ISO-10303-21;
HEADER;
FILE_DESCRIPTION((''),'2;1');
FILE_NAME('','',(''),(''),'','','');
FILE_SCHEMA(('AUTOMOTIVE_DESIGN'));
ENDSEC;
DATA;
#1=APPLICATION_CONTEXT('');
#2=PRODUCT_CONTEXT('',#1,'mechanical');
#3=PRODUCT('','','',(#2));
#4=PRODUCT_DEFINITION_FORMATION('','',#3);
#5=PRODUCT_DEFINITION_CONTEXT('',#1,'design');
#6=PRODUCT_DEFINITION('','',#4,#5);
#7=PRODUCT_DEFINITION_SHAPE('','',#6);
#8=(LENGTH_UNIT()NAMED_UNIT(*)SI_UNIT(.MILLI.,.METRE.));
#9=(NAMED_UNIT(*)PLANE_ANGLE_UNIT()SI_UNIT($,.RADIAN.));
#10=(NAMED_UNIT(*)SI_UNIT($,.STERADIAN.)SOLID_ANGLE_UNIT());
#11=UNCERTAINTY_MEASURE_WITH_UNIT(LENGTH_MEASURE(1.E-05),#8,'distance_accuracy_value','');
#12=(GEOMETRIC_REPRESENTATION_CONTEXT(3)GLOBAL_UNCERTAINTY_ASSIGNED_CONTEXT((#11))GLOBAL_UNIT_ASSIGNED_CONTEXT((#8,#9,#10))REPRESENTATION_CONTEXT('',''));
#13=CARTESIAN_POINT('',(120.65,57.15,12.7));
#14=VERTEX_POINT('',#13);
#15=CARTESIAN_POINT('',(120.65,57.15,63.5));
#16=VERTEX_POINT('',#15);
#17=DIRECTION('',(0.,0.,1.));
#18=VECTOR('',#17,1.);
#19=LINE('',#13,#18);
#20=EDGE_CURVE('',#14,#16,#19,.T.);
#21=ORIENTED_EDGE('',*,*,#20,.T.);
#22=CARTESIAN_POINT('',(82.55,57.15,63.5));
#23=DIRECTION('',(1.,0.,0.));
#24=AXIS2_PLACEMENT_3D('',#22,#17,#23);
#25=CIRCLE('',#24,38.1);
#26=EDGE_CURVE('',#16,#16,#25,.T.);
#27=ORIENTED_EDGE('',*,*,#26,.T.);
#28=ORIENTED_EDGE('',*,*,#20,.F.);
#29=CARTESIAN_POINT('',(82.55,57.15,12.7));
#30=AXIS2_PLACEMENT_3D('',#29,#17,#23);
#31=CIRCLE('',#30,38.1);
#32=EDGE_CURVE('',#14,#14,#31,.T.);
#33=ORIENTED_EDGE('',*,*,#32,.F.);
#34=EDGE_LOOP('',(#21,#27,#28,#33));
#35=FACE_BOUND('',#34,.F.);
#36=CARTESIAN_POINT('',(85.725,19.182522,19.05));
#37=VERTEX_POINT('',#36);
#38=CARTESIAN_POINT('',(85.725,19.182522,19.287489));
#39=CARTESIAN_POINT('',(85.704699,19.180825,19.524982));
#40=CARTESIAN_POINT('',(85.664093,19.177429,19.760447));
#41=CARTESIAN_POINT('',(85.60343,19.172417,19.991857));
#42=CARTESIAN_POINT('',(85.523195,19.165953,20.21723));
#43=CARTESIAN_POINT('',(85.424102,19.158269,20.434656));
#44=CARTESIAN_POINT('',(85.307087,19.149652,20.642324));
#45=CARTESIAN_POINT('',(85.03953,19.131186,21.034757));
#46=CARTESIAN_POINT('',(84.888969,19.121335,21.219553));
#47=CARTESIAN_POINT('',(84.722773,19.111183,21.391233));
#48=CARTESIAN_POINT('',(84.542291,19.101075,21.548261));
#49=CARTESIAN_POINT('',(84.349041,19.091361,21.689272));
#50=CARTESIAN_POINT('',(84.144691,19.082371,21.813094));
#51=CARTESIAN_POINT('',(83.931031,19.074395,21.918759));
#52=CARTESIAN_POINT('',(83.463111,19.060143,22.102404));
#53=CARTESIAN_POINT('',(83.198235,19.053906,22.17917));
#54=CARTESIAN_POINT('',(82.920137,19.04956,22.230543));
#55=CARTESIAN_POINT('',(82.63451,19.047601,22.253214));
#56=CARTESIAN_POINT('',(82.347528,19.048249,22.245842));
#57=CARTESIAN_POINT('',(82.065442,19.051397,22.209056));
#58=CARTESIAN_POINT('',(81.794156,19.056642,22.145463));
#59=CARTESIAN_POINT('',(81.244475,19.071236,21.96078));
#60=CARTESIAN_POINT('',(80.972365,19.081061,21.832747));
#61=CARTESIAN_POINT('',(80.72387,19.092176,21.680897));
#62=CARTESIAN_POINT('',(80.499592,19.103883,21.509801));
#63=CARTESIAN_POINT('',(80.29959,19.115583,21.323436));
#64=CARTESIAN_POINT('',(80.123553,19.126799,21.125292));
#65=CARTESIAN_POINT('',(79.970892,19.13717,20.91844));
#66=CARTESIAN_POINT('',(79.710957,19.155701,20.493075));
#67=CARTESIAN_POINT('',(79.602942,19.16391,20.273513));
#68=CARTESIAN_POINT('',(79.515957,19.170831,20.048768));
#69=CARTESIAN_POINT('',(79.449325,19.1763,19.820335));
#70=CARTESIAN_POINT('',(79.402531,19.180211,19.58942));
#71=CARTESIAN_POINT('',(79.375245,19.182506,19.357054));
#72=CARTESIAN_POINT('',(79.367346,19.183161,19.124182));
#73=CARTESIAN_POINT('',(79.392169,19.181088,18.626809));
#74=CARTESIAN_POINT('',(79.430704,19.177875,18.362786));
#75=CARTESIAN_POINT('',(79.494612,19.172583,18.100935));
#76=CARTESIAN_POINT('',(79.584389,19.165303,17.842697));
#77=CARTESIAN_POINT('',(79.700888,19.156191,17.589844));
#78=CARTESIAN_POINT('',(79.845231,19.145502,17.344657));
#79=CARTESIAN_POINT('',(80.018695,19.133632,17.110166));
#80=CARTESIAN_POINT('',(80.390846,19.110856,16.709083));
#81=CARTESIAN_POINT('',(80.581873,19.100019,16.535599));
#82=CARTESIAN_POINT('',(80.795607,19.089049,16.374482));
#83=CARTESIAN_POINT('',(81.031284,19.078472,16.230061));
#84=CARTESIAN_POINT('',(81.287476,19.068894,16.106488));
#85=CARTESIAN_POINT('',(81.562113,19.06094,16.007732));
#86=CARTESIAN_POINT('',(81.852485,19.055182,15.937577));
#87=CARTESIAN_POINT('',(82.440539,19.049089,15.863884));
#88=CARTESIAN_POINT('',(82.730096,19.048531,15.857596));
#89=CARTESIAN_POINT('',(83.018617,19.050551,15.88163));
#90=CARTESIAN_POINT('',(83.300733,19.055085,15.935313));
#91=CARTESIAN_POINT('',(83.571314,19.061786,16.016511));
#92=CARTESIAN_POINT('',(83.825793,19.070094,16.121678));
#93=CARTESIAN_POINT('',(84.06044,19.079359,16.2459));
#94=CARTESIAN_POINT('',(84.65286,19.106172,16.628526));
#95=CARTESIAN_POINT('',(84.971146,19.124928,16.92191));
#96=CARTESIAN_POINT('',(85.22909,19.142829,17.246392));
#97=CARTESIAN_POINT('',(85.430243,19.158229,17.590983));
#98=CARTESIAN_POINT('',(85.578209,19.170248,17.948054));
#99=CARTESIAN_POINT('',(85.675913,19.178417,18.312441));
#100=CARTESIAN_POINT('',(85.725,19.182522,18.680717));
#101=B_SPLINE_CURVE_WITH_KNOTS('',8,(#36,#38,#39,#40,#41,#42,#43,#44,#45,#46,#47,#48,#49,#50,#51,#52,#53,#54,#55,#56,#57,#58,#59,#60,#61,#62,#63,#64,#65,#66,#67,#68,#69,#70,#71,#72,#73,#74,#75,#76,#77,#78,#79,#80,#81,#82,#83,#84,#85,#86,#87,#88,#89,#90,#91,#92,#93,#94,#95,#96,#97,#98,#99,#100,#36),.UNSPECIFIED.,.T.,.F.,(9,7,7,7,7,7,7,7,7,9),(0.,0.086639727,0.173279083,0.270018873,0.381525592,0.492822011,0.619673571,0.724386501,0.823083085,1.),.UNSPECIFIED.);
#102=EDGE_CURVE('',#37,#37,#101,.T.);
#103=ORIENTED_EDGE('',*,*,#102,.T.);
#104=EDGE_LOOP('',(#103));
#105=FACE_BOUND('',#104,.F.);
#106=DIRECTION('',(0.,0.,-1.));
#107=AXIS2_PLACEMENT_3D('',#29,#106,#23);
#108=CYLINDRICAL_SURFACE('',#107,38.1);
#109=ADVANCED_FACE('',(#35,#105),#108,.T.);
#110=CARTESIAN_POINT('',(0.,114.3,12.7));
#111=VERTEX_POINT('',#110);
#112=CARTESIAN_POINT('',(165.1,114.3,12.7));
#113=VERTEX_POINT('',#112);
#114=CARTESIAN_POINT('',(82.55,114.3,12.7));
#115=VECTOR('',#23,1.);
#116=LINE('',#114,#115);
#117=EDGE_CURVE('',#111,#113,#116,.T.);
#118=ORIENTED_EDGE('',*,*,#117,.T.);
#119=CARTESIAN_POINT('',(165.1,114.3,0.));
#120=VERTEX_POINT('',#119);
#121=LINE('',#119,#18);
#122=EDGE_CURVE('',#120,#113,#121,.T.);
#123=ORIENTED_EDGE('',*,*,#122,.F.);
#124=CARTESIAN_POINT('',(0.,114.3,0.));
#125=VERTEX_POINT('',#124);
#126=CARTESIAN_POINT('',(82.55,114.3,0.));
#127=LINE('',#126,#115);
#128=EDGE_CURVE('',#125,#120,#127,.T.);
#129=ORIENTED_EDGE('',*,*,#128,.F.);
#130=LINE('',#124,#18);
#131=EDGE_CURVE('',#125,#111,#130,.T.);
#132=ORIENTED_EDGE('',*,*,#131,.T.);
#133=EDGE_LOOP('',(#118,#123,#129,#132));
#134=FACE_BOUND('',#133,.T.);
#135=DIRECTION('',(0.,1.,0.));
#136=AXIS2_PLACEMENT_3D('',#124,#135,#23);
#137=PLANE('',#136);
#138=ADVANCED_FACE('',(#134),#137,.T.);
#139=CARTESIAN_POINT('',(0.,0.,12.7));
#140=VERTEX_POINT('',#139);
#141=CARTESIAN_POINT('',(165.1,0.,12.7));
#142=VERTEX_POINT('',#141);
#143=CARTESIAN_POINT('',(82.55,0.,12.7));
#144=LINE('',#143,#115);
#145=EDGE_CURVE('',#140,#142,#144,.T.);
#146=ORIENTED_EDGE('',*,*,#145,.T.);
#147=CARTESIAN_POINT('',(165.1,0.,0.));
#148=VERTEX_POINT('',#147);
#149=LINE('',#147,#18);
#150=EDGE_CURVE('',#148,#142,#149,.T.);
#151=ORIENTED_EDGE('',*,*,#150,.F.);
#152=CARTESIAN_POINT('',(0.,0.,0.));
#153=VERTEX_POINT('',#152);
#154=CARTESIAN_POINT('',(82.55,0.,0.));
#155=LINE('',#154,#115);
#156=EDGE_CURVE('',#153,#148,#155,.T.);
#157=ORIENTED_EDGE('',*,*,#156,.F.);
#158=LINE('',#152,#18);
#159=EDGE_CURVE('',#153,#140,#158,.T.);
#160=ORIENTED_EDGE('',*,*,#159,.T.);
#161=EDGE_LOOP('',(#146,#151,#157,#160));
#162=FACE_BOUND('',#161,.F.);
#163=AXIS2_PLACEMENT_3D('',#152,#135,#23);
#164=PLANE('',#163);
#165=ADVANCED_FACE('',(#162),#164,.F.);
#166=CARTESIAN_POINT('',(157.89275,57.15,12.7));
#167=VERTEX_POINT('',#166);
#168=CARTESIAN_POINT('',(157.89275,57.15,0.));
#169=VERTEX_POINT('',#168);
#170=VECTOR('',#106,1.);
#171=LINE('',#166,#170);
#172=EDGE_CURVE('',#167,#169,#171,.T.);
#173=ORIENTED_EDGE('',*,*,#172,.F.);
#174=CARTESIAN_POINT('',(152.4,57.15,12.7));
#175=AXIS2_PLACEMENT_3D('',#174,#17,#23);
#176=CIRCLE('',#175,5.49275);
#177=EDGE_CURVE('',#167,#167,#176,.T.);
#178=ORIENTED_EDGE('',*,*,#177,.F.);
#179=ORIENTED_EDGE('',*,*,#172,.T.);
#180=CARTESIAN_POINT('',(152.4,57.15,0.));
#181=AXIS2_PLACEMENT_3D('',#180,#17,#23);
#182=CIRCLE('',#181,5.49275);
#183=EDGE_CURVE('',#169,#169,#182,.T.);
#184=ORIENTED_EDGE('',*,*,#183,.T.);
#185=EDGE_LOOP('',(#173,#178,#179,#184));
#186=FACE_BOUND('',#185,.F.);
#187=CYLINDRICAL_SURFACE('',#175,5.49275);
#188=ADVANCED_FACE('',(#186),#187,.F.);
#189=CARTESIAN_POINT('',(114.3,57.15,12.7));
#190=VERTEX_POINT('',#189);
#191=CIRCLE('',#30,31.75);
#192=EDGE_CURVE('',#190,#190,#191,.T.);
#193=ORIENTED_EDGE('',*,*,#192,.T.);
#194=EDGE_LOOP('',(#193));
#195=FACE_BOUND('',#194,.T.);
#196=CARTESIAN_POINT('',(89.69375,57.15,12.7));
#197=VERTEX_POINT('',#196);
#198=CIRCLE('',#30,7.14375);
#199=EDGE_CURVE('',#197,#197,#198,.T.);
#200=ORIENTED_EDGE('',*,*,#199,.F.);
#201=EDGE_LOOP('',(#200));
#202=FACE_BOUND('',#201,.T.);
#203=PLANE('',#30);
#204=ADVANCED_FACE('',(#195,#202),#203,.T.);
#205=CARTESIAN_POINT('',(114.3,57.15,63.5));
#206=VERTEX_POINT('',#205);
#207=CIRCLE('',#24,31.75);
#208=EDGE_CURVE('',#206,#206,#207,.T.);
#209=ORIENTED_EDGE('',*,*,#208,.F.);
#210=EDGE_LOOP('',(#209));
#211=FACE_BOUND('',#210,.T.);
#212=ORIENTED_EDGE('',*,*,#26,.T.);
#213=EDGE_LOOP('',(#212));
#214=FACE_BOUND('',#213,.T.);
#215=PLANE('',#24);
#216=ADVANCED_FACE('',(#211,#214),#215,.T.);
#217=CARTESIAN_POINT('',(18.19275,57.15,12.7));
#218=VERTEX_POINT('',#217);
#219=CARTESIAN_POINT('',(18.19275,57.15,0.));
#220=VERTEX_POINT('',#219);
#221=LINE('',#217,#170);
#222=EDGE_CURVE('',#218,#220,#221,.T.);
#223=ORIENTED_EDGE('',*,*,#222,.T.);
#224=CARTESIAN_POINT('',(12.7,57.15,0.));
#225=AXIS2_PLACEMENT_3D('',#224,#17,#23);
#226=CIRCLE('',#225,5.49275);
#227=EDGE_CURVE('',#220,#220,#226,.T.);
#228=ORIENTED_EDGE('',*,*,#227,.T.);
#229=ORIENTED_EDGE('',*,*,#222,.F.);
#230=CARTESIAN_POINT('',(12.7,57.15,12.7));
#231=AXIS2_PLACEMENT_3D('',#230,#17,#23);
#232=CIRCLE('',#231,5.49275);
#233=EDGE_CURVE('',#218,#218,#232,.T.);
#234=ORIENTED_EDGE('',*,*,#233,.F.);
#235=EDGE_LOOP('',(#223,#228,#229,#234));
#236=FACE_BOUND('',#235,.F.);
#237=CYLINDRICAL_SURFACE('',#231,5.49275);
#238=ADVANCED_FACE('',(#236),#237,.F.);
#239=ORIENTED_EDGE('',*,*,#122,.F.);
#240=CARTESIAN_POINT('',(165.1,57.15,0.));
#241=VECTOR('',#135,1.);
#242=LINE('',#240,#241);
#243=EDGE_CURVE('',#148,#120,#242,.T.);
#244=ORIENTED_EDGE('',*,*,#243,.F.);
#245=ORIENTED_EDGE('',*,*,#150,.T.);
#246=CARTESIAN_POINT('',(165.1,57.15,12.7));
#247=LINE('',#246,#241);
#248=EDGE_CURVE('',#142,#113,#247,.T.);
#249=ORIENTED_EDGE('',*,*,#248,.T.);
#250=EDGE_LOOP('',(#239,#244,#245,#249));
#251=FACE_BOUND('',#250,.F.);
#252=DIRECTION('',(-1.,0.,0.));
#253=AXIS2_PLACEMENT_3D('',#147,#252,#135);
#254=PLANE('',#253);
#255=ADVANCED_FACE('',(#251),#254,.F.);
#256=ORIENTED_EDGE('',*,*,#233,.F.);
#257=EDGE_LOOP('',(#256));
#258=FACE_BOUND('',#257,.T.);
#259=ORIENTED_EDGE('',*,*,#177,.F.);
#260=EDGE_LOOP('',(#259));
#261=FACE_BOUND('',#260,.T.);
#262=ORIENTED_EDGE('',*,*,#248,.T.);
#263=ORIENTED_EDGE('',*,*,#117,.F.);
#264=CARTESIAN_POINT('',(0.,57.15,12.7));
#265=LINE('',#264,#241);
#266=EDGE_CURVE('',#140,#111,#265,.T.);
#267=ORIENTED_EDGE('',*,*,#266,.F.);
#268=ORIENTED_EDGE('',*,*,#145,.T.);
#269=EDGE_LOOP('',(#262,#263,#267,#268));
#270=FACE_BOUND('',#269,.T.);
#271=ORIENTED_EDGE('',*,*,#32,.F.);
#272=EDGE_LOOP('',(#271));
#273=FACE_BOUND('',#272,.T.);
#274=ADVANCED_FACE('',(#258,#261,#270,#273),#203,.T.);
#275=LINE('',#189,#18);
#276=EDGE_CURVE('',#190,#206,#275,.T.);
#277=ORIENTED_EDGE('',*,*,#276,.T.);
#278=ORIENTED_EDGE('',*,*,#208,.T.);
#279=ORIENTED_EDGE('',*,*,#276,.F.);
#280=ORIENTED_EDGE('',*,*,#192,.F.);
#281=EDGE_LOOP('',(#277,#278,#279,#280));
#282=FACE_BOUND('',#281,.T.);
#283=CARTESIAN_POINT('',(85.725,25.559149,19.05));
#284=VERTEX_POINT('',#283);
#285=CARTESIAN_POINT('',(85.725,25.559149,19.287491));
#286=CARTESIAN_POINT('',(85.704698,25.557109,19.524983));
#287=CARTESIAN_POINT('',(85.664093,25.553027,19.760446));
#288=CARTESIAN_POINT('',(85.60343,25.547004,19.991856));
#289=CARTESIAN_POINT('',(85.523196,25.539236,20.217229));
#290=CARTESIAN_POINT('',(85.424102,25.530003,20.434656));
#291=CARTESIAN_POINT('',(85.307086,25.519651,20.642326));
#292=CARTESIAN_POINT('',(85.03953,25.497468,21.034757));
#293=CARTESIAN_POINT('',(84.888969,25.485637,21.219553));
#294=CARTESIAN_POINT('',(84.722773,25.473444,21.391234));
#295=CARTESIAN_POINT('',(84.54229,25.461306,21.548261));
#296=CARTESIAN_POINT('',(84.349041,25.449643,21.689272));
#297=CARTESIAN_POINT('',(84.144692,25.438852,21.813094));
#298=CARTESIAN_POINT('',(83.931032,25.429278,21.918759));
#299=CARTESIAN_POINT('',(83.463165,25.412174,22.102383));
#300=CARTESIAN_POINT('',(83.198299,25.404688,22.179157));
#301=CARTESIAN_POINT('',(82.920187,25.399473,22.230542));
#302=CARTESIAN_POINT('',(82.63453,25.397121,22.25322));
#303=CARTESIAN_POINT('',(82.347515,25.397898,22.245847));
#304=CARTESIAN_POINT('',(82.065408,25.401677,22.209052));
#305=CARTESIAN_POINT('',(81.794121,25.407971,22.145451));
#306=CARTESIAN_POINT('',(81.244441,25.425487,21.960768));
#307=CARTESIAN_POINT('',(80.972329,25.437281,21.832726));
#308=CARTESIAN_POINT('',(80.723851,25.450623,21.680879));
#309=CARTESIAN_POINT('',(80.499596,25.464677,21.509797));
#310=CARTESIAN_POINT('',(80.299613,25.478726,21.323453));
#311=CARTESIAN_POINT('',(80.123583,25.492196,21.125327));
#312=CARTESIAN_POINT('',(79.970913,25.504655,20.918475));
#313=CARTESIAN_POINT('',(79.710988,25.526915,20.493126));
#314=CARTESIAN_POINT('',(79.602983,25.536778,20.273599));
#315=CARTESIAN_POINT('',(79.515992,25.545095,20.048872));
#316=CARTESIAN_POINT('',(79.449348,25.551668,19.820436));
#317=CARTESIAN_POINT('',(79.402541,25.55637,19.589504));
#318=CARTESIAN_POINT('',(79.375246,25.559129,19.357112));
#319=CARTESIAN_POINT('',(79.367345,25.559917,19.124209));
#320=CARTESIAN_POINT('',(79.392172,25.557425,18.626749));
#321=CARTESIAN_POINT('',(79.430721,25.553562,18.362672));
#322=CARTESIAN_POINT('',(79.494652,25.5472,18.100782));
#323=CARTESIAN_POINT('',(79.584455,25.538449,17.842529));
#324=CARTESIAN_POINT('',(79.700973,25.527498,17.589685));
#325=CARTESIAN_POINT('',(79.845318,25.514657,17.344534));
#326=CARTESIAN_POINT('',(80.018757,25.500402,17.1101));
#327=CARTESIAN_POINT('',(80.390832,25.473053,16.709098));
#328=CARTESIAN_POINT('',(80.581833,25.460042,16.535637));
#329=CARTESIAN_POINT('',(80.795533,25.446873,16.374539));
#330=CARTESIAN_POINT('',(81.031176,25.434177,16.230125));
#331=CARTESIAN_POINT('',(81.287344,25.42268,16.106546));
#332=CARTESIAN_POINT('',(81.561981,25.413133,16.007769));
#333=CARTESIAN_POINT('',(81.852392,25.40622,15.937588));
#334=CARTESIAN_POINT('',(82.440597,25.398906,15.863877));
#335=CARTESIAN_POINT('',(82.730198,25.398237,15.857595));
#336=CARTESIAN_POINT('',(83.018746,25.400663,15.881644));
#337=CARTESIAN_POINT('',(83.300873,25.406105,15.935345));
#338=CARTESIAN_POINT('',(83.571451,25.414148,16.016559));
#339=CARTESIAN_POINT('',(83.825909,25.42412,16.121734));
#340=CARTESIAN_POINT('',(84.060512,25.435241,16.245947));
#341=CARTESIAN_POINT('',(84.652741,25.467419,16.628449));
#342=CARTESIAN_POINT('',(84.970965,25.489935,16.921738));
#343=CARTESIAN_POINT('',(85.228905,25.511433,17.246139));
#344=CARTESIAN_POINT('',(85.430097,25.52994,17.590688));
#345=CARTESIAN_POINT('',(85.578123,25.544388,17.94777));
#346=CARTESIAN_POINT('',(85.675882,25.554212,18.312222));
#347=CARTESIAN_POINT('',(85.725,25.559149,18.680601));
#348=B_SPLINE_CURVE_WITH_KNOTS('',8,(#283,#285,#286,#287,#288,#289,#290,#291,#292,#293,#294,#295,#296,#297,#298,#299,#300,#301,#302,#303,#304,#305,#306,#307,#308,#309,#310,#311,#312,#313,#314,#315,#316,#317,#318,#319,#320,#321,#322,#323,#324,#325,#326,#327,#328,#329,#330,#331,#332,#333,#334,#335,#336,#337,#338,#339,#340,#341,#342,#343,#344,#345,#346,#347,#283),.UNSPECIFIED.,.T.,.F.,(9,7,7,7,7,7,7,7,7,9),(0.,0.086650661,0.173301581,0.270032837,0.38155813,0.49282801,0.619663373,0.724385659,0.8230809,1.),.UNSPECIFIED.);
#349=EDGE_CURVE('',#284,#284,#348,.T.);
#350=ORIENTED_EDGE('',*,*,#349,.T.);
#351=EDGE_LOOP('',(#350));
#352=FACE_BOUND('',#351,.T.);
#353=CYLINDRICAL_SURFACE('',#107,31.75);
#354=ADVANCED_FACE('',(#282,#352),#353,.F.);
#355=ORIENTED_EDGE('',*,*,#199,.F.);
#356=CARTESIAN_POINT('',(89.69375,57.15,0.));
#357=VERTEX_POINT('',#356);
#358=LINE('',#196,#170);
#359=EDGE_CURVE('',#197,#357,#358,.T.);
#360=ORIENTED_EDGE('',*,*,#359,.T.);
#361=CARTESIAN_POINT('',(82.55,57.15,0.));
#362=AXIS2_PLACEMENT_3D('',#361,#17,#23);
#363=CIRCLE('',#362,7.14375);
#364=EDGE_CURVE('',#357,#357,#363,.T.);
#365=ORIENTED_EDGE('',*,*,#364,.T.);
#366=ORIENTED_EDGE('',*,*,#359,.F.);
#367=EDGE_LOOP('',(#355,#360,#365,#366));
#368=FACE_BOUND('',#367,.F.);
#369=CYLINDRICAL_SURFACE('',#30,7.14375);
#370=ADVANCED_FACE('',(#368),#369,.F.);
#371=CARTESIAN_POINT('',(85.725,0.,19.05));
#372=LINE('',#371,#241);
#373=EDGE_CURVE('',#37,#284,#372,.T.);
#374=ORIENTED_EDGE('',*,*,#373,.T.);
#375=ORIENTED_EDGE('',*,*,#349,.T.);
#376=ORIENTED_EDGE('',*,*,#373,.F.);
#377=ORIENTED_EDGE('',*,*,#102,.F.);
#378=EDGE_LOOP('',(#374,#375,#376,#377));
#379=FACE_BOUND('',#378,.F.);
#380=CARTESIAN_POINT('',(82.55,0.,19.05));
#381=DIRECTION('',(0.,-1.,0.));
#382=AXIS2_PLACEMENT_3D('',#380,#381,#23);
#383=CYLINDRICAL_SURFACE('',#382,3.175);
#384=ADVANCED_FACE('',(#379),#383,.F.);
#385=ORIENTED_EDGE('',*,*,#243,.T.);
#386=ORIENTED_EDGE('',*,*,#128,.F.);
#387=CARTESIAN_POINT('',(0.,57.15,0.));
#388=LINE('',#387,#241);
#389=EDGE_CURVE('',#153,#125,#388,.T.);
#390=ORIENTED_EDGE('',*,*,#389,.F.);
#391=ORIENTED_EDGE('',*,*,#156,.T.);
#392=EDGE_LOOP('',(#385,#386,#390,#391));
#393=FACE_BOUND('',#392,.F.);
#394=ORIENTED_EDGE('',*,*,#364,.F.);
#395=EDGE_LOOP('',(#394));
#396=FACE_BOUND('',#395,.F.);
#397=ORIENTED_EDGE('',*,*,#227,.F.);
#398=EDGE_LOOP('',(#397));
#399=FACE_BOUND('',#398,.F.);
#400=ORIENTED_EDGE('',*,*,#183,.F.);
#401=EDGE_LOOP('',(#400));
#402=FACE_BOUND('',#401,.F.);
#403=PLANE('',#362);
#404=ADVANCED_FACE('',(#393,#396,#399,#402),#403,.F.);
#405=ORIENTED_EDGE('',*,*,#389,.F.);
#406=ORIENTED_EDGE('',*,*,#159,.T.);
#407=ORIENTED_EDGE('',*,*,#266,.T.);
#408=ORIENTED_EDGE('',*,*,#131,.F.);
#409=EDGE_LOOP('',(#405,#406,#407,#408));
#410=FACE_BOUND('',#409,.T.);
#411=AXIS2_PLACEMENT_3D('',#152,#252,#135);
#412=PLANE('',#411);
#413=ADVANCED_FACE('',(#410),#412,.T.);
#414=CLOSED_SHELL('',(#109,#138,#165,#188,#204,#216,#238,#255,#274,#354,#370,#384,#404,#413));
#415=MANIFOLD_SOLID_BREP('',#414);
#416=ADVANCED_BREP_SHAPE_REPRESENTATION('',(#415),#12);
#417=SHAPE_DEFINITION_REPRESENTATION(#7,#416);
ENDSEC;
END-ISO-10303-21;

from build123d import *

# Parameters (mm, degrees)
F0_W     = 165.1
F0_H     = 114.3
F1_DEPTH = 12.7
F2_R     = 38.1
F2_R_2   = 31.75
F3_DEPTH = 50.8
F4_R     = 5.49275
F4_R_2   = 7.14375
F5_DEPTH = 25.4
F7_DEPTH = 76.2


with BuildPart() as f1:
    # F0 (on Top) → F1 (new body)
    with BuildSketch(Plane.XY):
        with Locations((82.55, 57.15)):
            Rectangle(F0_W, F0_H)
    extrude(amount=F1_DEPTH)

    # F2 (on face) → F3 (join)
    with BuildSketch(Plane.XY.offset(12.7)):
        with Locations((82.55, 57.15)):
            Circle(F2_R)
        with Locations((82.55, 57.15)):
            Circle(F2_R_2, mode=Mode.SUBTRACT)
    extrude(amount=F3_DEPTH)

    # F4 (on face) → F5 (cut)
    with BuildSketch(Plane.XY.offset(12.7)):
        with Locations((152.4, 57.15)):
            Circle(F4_R)
        with Locations((12.7, 57.15)):
            Circle(F4_R)
        with Locations((82.55, 57.15)):
            Circle(F4_R_2)
    extrude(amount=-F5_DEPTH, mode=Mode.SUBTRACT)

    # F6 (on Front) → F7 (cut)
    with BuildSketch(Plane.XZ):
        with BuildLine():
            ThreePointArc((79.375, 19.05), (82.55, 15.875), (85.725, 19.05))
            ThreePointArc((85.725, 19.05), (82.55, 22.225), (79.375, 19.05))
        make_face()
    extrude(amount=-F7_DEPTH, mode=Mode.SUBTRACT)


solid = f1.part
